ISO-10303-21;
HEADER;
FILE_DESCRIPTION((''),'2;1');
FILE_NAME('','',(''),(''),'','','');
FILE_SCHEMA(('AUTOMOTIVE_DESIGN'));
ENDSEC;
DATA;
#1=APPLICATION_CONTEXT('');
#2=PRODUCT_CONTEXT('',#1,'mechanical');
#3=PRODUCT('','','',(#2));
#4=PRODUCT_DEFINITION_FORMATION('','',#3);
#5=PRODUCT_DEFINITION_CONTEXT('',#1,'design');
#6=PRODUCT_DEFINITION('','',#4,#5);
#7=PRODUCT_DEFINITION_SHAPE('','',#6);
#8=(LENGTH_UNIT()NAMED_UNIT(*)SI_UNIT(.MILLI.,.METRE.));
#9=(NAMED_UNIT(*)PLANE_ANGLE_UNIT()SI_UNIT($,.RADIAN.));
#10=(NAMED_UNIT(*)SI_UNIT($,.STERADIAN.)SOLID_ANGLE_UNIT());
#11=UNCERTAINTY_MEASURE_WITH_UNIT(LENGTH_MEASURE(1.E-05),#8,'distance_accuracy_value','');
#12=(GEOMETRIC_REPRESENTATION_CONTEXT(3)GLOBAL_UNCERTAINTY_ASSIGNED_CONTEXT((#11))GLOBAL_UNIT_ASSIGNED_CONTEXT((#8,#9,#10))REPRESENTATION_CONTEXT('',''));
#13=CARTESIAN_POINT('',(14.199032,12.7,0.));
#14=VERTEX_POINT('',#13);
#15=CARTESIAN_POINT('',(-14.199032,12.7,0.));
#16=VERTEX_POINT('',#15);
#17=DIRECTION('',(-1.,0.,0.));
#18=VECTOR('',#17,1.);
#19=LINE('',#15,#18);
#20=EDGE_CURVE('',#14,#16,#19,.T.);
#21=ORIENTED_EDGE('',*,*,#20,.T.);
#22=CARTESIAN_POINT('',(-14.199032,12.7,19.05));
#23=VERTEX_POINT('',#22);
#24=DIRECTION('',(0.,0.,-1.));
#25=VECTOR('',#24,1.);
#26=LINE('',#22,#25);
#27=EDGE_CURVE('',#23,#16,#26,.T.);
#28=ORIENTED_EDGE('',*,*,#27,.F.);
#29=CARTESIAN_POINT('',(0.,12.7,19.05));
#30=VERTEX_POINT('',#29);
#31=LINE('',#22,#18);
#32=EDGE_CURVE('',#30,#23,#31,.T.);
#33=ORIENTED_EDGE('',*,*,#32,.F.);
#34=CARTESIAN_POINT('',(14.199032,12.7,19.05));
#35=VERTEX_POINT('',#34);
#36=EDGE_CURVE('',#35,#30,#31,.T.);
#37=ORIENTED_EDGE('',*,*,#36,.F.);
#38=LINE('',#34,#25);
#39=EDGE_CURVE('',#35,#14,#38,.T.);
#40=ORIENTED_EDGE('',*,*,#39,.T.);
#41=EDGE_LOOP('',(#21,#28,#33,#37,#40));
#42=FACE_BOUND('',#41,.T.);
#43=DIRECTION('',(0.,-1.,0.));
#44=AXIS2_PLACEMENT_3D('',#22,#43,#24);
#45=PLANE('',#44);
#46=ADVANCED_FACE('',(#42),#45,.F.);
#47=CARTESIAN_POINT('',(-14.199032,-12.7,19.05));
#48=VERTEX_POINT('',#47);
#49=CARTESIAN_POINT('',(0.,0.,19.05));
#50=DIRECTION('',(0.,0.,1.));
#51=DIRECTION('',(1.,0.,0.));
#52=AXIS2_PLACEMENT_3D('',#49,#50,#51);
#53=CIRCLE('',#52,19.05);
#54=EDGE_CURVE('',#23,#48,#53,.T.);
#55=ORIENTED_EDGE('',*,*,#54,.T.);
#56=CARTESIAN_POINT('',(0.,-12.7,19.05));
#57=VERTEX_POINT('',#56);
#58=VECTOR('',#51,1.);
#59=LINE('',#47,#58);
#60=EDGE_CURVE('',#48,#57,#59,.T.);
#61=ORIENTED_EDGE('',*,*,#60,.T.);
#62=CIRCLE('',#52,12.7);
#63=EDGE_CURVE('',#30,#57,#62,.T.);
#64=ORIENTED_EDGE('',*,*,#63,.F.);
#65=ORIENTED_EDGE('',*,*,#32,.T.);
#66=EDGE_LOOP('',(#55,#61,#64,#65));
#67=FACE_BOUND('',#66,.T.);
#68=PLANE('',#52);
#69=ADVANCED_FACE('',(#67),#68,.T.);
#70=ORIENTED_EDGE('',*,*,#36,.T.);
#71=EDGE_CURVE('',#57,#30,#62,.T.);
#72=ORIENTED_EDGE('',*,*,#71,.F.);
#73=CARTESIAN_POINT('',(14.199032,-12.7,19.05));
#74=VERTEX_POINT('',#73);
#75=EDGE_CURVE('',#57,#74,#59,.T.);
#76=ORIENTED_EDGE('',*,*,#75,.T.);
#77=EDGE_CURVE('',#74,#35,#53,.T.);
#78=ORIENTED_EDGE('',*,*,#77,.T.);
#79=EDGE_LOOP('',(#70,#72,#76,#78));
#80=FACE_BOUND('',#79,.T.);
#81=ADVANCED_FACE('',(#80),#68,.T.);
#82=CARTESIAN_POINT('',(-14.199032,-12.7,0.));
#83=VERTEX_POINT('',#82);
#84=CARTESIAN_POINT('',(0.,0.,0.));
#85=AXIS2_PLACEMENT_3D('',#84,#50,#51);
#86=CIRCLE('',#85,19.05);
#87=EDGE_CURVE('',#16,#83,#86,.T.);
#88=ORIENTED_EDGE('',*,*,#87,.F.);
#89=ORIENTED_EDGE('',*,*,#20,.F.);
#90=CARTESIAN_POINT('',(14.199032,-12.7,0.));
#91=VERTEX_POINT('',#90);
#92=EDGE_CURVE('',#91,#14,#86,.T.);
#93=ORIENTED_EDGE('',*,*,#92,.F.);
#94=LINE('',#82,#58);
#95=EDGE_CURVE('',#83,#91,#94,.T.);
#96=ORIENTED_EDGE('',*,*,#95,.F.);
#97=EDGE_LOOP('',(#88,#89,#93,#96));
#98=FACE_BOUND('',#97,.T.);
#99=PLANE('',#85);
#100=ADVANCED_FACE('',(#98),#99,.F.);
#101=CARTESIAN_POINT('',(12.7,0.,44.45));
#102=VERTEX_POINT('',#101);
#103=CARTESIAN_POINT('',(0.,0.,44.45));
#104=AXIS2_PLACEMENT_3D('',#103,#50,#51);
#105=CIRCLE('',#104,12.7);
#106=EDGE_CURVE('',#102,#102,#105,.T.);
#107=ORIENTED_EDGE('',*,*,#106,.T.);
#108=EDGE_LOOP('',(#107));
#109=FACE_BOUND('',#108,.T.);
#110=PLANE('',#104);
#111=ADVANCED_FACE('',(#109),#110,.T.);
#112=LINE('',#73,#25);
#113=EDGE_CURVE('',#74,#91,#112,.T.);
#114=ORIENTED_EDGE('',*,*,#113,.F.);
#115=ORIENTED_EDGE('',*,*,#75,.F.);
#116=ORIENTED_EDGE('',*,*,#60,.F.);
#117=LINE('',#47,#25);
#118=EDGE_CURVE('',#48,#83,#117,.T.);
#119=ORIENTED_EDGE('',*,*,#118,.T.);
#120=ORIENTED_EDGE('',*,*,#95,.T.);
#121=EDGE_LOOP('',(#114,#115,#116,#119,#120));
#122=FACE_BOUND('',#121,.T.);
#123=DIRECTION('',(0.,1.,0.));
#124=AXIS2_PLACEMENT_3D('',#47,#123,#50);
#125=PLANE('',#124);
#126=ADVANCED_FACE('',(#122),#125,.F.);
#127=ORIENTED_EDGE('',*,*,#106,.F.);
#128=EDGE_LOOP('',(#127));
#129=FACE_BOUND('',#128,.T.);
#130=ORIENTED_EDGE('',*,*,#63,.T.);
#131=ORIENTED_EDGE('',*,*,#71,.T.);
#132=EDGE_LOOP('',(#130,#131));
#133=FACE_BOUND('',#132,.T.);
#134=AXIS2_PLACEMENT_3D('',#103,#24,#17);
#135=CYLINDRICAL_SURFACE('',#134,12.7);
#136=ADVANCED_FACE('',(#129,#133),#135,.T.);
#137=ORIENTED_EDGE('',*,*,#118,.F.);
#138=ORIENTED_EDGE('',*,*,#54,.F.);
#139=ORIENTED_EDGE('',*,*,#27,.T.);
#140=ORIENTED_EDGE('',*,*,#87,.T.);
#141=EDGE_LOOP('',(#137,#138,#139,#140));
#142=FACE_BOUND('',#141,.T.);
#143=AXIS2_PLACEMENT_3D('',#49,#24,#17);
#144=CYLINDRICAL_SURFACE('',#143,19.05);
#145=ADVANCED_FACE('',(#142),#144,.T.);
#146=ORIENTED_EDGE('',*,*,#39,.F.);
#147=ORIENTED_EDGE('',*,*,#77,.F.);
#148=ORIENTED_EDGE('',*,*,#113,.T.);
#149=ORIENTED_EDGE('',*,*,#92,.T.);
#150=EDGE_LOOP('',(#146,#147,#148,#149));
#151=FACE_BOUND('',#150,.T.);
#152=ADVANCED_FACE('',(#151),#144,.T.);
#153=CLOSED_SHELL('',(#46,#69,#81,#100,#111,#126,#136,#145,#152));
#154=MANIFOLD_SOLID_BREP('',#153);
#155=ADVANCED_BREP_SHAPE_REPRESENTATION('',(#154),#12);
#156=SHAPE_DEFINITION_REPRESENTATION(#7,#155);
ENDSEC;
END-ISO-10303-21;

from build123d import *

# Parameters (mm, degrees)
BOSS_EXTRUDE1_DEPTH = 19.05
SKETCH3_R           = 12.7
BOSS_EXTRUDE2_DEPTH = 25.4


with BuildPart() as part:
    # Sketch2 → Boss-Extrude1 (new body)
    with BuildSketch(Plane.XY):
        with BuildLine():
            Line((-14.199031657, 12.7), (14.199031657, 12.7))
            ThreePointArc((14.199031657, 12.7), (19.05, 0), (14.199031657, -12.7))
            Line((14.199031657, -12.7), (-14.199031657, -12.7))
            ThreePointArc((-14.199031657, -12.7), (-19.05, 0), (-14.199031657, 12.7))
        make_face()
    extrude(amount=BOSS_EXTRUDE1_DEPTH)

    # Sketch3 → Boss-Extrude2 (add)
    with BuildSketch(Plane.XY.offset(19.05)):
        Circle(SKETCH3_R)
    extrude(amount=BOSS_EXTRUDE2_DEPTH)


solid = part.part
